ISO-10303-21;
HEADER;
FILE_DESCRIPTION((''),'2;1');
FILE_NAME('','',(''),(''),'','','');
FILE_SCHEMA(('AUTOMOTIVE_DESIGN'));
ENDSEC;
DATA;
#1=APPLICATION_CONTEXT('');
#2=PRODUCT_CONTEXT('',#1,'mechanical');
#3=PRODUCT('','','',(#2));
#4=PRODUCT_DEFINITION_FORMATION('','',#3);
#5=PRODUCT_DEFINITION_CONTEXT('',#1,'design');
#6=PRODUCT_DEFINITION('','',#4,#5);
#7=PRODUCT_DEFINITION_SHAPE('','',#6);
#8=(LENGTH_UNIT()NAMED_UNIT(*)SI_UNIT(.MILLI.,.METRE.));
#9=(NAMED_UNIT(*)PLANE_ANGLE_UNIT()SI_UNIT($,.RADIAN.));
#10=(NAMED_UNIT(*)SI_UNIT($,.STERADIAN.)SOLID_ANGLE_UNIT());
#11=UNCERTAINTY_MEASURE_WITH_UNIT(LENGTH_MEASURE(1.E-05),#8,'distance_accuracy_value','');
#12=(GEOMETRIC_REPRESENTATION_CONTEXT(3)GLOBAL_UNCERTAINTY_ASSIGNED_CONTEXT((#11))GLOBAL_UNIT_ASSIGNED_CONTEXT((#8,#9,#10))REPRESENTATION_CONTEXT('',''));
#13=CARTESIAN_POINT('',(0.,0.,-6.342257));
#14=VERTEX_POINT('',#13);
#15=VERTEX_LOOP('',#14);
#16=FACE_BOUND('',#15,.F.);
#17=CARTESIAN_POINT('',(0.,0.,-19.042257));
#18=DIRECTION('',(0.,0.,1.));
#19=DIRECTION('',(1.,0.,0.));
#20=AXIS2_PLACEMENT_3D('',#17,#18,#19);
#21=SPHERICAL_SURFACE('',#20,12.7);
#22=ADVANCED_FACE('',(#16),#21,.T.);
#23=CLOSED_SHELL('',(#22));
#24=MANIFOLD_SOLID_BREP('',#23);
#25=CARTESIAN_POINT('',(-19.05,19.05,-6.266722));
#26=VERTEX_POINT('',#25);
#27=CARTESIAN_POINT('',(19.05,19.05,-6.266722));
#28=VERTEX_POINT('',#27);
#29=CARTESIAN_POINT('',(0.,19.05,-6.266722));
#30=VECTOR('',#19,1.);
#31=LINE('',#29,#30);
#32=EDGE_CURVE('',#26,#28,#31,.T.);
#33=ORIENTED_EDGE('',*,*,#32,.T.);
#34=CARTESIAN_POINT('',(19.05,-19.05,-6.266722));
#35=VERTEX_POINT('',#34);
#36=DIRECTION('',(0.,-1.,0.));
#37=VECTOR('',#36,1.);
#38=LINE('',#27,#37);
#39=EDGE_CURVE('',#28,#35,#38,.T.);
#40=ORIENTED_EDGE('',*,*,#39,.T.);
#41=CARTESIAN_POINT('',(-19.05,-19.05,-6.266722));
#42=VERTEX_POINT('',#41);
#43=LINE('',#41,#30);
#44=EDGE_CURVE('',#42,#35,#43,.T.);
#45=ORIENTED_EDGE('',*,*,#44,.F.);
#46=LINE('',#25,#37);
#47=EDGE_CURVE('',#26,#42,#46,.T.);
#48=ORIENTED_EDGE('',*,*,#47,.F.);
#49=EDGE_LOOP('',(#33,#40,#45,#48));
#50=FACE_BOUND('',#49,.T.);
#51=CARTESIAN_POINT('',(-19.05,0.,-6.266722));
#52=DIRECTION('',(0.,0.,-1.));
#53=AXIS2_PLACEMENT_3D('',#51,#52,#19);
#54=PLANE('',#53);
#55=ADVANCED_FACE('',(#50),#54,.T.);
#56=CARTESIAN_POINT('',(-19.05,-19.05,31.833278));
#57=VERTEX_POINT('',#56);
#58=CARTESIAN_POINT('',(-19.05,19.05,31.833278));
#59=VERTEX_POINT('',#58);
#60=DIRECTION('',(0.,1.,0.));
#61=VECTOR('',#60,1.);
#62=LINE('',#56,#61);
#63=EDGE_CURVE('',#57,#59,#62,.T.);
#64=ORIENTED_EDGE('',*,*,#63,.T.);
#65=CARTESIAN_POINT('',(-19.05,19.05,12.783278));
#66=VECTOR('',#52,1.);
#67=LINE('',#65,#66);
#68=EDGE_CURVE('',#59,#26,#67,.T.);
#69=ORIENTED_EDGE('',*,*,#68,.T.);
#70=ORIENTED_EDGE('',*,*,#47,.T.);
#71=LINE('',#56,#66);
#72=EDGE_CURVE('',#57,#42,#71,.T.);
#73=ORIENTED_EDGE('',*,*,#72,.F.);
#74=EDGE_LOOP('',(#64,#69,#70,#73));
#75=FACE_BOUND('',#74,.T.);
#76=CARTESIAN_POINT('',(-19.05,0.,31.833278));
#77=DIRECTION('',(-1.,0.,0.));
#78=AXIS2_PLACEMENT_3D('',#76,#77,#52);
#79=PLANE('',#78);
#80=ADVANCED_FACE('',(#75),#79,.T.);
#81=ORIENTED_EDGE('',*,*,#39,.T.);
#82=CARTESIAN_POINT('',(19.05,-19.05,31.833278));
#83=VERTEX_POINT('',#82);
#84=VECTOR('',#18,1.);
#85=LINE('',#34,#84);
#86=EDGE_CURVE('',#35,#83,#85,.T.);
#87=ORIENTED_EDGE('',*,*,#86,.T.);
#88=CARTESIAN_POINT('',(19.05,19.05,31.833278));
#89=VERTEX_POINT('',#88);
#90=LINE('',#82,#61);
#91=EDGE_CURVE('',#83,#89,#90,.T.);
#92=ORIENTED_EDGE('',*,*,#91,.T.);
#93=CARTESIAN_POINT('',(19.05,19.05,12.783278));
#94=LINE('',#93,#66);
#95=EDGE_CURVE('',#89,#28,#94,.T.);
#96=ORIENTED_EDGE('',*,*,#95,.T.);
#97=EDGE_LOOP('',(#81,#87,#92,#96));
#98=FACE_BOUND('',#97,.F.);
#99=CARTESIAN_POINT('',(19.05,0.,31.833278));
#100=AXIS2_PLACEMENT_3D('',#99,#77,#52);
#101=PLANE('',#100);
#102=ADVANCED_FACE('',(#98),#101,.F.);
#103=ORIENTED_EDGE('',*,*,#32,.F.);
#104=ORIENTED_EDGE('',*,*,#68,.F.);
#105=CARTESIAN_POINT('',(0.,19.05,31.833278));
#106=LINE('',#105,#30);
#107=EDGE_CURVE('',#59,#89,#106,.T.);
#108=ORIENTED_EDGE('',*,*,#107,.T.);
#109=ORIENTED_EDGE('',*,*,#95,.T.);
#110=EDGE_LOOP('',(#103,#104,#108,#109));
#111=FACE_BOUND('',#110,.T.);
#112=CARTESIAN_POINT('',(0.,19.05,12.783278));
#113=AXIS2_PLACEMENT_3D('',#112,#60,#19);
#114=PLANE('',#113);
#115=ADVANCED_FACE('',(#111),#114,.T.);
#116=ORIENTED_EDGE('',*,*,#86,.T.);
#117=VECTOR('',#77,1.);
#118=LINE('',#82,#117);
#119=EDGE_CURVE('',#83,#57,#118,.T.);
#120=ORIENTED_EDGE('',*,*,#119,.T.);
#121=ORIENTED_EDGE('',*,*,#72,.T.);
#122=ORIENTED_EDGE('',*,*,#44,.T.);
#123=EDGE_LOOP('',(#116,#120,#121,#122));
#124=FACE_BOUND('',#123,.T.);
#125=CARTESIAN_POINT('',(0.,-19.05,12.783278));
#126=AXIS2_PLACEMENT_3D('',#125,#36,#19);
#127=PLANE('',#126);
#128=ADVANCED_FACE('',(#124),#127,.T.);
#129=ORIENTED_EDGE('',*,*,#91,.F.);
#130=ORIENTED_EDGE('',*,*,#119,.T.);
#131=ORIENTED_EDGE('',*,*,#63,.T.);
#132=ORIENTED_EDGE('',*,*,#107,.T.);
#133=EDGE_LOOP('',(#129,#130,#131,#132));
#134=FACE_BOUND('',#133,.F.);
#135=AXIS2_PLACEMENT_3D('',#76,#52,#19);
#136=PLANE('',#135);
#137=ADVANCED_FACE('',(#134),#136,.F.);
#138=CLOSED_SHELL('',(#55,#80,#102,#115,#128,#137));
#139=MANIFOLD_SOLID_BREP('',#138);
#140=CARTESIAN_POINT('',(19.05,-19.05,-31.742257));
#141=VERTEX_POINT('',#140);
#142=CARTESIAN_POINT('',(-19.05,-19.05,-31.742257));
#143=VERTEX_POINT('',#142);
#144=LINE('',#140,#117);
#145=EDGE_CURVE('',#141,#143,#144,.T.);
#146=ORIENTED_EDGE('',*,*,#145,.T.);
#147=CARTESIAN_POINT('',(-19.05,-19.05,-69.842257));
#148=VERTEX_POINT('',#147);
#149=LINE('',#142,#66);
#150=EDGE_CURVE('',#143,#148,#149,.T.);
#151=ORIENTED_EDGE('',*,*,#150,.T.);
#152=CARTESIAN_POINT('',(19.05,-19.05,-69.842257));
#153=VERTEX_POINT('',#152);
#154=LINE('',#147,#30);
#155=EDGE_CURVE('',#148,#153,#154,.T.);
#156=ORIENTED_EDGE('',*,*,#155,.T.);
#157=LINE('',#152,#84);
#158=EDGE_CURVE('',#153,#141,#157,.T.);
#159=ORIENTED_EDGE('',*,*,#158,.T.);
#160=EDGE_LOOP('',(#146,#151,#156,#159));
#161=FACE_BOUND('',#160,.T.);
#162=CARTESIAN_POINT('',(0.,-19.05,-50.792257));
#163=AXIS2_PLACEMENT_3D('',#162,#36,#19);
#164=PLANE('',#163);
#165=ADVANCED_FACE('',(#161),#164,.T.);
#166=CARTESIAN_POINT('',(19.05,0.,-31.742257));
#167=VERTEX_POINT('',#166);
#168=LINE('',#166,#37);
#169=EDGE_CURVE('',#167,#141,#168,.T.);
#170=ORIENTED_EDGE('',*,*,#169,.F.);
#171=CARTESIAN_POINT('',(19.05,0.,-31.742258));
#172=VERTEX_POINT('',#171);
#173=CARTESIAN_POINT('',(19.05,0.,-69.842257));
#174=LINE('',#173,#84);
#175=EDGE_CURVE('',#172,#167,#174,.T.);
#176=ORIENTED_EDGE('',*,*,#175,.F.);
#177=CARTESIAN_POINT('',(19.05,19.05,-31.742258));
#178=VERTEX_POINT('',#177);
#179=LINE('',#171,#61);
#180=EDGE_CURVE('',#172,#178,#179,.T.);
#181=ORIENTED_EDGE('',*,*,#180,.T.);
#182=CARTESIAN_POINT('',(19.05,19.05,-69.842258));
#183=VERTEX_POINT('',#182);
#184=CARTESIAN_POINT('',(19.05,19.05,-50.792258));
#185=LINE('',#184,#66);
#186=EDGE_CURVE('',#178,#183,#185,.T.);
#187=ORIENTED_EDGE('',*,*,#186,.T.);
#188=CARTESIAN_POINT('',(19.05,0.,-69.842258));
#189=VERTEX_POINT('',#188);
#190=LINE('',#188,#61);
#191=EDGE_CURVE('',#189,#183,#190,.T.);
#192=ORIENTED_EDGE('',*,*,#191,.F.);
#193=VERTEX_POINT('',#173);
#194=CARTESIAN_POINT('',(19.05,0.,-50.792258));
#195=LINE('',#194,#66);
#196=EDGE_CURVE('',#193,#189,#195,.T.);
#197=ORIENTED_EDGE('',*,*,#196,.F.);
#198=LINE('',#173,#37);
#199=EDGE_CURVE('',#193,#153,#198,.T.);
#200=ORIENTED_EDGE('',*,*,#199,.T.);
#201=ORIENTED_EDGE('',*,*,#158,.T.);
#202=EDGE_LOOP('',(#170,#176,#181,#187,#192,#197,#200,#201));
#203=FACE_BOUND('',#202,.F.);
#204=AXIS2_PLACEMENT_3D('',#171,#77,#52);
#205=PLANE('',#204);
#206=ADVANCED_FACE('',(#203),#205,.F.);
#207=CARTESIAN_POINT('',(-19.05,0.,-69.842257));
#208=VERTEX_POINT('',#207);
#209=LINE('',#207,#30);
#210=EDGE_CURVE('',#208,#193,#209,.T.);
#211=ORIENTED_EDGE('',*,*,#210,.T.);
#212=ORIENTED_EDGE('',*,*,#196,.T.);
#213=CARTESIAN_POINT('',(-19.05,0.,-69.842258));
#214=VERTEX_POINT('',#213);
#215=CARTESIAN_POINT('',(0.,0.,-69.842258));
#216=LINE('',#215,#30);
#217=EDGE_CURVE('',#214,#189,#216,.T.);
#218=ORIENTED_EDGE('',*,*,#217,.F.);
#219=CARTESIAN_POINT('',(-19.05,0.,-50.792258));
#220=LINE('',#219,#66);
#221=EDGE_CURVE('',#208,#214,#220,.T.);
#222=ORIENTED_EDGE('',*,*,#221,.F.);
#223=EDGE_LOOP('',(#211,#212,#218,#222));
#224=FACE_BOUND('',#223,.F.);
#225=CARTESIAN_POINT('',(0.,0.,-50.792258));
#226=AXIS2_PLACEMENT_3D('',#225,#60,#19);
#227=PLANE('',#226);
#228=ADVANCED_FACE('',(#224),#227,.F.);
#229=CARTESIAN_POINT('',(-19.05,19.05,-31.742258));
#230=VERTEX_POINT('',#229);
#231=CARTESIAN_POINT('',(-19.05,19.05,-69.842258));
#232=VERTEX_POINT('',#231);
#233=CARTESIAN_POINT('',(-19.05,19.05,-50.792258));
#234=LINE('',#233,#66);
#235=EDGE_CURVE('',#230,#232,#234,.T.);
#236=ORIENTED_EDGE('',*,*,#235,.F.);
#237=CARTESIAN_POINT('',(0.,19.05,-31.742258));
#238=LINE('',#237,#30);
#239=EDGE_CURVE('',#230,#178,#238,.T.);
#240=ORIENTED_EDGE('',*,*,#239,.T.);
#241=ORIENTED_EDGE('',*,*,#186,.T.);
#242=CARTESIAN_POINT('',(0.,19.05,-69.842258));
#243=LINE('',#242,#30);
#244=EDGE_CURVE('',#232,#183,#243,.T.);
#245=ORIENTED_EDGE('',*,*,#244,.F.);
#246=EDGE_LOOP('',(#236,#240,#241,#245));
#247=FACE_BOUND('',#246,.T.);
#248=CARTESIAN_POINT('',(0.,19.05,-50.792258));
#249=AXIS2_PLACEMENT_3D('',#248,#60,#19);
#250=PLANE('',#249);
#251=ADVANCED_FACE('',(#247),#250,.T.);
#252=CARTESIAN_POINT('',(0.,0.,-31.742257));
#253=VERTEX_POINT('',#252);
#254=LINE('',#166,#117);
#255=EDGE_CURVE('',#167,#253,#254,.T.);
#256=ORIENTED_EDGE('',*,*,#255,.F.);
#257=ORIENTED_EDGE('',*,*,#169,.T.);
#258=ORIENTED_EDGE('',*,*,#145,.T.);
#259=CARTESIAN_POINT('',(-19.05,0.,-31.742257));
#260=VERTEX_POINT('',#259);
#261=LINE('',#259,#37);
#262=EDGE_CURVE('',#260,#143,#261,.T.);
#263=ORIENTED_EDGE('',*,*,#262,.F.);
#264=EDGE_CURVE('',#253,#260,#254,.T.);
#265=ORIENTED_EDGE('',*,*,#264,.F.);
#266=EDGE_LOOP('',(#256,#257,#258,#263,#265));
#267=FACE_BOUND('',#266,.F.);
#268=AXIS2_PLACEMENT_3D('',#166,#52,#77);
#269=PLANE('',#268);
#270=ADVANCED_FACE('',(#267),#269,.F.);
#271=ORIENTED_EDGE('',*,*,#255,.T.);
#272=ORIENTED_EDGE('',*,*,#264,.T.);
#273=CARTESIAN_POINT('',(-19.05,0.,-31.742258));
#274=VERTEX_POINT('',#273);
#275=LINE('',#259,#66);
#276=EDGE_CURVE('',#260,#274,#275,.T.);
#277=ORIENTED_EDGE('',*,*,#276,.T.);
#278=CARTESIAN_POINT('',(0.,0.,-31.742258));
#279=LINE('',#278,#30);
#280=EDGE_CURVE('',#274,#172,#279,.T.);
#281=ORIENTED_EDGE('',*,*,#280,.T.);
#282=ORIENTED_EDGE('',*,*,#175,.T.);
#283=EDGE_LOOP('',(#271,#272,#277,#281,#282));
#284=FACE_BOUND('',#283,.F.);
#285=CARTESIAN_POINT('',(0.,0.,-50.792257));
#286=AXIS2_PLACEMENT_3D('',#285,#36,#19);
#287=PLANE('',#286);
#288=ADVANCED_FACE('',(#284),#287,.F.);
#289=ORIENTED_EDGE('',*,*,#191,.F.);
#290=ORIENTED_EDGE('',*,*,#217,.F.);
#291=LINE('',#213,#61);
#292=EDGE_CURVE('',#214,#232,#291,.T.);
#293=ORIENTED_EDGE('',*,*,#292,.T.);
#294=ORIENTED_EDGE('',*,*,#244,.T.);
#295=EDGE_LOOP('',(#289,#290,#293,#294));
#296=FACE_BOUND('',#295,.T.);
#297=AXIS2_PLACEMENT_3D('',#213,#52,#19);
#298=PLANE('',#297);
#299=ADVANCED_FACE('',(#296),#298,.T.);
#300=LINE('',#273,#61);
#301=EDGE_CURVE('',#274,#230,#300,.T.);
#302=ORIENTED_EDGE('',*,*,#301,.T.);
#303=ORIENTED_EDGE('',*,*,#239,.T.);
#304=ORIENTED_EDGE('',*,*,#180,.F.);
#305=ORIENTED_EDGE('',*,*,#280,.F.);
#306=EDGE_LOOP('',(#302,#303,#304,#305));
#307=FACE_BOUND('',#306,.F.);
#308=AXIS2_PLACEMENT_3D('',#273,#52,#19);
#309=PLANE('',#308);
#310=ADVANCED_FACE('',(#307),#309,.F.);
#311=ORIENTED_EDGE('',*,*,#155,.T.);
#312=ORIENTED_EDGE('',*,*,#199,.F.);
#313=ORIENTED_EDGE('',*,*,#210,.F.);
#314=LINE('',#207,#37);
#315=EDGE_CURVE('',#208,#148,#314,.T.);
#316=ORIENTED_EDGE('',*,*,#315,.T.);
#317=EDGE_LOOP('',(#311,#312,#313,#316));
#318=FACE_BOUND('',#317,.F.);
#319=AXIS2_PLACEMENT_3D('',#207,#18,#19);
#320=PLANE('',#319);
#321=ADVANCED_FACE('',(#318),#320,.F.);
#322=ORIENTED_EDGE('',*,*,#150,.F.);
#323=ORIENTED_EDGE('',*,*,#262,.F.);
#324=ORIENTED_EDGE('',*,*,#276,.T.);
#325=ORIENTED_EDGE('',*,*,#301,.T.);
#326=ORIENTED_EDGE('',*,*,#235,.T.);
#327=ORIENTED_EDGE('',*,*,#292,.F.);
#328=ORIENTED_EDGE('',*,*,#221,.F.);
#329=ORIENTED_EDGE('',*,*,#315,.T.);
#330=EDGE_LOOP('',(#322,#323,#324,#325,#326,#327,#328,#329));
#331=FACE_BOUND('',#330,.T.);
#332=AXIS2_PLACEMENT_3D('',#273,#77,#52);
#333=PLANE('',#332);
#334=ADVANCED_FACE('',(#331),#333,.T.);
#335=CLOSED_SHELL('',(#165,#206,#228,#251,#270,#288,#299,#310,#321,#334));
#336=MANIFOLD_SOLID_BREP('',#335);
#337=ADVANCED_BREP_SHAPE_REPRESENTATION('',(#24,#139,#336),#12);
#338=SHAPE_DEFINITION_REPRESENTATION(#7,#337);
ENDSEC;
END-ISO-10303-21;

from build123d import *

# Parameters (mm, degrees)
F2_DEPTH  = 19.05
F2_FACE_W = 38.1
F2_FACE_H = 38.1
F3_DEPTH  = 19.05


with BuildPart() as f1:
    # F0 (on Front) → F1 (revolve)
    with BuildSketch(Plane.XZ):
        with BuildLine():
            Line((0, -6.342257), (0, -31.742257))
            ThreePointArc((0, -31.742257), (12.7, -19.042257), (0, -6.342257))
        make_face()
    revolve(axis=Axis((0, 0, -19.042257), (0, 0, -1)))



with BuildPart() as f2:
    # F0 (on Front) → F2 (new body)
    with BuildSketch(Plane.XZ):
        Polygon((19.05, 31.833278), (-19.05, 31.833278), (-19.05, -6.266722), (19.05, -6.266722), (19.05, 0), align=None)
        Polygon((0, -31.742257), (-19.05, -31.742257), (-19.05, -69.842257), (19.05, -69.842257), (19.05, -31.742257), align=None)
    extrude(amount=F2_DEPTH)


with BuildPart() as f1_1:
    add(f1.part)

    add(f2.part)  # F3 merges F2
    # F2_face (on face) → F3 (join)
    with BuildSketch(Plane(origin=(0, 0, 12.783278), x_dir=(1, 0, 0), z_dir=(0, 1, 0))):
        Rectangle(F2_FACE_W, F2_FACE_H)
        with Locations((0, 63.575536)):
            Rectangle(F2_FACE_W, F2_FACE_H)
    extrude(amount=F3_DEPTH)


solid = f1_1.part
